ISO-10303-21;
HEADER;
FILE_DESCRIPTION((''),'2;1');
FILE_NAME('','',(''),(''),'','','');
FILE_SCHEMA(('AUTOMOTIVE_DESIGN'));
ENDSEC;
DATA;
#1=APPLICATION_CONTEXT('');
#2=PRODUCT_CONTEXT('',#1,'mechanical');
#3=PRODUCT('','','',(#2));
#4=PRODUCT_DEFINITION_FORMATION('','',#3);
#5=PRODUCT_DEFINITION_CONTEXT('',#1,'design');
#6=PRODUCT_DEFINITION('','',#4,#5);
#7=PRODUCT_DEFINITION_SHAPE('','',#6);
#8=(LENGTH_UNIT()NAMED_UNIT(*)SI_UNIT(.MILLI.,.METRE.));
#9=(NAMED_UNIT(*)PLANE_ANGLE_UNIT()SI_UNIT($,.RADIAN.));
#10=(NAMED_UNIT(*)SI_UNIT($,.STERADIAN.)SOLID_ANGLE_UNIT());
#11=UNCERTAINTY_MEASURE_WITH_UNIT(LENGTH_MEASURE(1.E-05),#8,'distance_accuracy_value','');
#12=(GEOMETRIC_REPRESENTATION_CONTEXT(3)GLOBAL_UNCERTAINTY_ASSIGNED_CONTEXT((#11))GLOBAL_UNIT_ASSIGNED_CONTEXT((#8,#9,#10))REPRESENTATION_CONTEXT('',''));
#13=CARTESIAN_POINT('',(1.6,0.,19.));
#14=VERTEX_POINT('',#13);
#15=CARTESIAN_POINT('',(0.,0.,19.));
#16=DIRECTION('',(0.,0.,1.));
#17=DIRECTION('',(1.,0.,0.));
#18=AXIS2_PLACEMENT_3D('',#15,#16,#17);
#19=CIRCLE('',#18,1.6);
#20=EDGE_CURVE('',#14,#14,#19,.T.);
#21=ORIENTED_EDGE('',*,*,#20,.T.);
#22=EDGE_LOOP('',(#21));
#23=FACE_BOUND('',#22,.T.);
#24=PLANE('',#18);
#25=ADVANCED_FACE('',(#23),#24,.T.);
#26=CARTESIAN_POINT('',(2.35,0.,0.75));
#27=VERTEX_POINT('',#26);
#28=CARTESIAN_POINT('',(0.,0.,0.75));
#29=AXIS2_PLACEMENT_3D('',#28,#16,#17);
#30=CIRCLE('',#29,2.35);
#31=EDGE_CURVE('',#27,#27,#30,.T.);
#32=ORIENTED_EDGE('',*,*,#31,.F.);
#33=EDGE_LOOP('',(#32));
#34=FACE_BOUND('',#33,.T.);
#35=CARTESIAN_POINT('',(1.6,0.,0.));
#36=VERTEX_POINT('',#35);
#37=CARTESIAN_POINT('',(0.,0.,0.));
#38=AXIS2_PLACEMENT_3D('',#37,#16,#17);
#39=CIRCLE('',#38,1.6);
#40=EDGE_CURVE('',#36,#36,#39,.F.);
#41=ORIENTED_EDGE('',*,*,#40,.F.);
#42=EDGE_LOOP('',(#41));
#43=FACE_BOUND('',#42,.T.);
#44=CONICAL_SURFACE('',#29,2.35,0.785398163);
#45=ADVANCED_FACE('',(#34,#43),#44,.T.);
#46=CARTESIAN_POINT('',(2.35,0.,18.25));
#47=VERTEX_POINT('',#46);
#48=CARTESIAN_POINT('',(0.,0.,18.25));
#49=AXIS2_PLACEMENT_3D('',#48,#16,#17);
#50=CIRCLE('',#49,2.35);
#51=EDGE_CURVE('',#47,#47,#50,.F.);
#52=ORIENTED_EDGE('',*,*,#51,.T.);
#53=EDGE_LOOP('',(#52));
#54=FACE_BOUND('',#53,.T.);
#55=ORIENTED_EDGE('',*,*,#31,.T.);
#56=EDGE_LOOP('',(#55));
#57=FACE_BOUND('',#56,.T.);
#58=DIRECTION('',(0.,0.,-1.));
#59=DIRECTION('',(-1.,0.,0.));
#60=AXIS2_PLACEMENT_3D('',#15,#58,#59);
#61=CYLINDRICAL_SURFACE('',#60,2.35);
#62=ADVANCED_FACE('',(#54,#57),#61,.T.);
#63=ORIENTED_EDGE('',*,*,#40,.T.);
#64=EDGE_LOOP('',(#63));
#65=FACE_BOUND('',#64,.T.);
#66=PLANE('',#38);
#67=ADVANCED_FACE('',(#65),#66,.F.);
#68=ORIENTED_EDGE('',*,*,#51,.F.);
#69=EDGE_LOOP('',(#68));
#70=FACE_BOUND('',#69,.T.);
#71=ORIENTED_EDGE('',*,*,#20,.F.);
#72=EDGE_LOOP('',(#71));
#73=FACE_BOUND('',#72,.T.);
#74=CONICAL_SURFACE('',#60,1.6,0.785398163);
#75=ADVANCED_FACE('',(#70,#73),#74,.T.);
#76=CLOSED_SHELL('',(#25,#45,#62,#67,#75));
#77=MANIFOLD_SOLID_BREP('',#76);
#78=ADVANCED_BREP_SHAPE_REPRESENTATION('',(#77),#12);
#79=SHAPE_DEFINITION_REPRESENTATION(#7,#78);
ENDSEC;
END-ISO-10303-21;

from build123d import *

# Parameters (mm, degrees)
SKETCH1_R           = 2.35
BOSS_EXTRUDE1_DEPTH = 19
FILLET1_SIZE        = 0.75


with BuildPart() as part:
    # Sketch1 → Boss-Extrude1 (new body)
    with BuildSketch(Plane.XY):
        Circle(SKETCH1_R)
    extrude(amount=BOSS_EXTRUDE1_DEPTH)

    # Fillet1
    fillet1_edges = [part.edges().sort_by_distance(p)[0] for p in [
        (-2.35, 0, 0),
        (-2.35, 0, 19),
    ]]
    chamfer(fillet1_edges, length=FILLET1_SIZE)


solid = part.part
